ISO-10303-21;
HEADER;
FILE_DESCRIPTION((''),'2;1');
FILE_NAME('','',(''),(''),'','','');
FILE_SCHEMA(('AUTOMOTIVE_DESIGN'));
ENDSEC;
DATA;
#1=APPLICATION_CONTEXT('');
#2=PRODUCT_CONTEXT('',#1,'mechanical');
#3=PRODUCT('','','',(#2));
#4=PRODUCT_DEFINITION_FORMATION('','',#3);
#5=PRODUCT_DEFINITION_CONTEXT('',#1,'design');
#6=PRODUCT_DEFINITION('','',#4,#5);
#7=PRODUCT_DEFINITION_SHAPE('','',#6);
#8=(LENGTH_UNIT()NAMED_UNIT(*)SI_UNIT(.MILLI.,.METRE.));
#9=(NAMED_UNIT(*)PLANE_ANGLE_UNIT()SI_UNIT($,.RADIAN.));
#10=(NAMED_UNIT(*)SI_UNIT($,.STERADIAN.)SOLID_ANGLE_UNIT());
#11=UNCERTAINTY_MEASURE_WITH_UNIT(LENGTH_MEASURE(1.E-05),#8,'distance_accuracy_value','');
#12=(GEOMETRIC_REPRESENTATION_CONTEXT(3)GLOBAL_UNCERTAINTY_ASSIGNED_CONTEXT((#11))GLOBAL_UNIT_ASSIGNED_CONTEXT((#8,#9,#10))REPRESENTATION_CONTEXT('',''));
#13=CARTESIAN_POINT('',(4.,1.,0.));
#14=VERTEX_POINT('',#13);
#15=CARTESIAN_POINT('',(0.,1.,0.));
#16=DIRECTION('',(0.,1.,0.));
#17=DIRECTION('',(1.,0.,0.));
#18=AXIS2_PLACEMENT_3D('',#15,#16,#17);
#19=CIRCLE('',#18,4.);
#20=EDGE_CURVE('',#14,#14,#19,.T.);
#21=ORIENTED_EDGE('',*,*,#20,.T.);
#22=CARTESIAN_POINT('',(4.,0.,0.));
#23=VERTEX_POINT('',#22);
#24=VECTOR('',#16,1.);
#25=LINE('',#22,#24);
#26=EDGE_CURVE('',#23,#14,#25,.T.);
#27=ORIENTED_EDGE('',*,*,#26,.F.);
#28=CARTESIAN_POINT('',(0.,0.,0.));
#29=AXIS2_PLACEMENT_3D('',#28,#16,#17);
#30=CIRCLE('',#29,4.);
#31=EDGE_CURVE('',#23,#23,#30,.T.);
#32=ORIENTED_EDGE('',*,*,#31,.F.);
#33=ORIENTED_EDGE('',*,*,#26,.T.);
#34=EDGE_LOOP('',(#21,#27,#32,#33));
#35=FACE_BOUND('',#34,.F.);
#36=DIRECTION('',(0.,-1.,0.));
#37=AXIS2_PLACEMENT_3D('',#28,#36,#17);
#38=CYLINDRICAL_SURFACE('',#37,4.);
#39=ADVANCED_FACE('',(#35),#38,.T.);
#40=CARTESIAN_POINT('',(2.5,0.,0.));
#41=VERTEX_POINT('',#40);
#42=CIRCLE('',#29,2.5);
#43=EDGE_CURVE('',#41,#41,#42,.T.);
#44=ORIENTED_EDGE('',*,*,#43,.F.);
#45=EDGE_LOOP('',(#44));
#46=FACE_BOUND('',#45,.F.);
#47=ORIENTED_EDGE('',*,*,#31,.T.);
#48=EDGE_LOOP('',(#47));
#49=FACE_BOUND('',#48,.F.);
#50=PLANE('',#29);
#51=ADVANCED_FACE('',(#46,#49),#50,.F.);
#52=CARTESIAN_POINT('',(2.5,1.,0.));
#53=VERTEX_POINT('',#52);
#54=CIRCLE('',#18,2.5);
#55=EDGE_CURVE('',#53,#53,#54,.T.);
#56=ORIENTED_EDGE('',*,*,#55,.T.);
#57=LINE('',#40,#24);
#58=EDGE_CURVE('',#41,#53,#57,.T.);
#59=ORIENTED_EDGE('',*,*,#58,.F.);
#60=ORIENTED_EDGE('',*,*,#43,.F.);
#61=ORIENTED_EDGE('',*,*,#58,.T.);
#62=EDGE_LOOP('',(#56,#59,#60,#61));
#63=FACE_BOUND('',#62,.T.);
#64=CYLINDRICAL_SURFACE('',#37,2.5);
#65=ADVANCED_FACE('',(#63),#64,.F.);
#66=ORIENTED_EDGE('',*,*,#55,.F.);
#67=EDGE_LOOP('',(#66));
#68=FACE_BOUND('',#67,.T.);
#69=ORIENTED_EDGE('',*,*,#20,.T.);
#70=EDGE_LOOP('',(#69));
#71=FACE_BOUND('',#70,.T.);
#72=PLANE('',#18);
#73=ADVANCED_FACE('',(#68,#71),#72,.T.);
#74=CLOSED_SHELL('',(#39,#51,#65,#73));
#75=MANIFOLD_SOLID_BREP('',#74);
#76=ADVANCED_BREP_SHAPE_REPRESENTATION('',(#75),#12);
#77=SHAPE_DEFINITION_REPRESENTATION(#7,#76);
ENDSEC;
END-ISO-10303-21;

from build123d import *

# Parameters (mm, degrees)
SKETCH1_R           = 4
SKETCH1_R_2         = 2.5
BOSS_EXTRUDE1_DEPTH = 1


with BuildPart() as part:
    # Sketch1 → Boss-Extrude1 (new body)
    with BuildSketch(Plane(origin=(0, 0, 0), x_dir=(1, 0, 0), z_dir=(0, 1, 0))):
        Circle(SKETCH1_R)
        Circle(SKETCH1_R_2, mode=Mode.SUBTRACT)
    extrude(amount=BOSS_EXTRUDE1_DEPTH)


solid = part.part
